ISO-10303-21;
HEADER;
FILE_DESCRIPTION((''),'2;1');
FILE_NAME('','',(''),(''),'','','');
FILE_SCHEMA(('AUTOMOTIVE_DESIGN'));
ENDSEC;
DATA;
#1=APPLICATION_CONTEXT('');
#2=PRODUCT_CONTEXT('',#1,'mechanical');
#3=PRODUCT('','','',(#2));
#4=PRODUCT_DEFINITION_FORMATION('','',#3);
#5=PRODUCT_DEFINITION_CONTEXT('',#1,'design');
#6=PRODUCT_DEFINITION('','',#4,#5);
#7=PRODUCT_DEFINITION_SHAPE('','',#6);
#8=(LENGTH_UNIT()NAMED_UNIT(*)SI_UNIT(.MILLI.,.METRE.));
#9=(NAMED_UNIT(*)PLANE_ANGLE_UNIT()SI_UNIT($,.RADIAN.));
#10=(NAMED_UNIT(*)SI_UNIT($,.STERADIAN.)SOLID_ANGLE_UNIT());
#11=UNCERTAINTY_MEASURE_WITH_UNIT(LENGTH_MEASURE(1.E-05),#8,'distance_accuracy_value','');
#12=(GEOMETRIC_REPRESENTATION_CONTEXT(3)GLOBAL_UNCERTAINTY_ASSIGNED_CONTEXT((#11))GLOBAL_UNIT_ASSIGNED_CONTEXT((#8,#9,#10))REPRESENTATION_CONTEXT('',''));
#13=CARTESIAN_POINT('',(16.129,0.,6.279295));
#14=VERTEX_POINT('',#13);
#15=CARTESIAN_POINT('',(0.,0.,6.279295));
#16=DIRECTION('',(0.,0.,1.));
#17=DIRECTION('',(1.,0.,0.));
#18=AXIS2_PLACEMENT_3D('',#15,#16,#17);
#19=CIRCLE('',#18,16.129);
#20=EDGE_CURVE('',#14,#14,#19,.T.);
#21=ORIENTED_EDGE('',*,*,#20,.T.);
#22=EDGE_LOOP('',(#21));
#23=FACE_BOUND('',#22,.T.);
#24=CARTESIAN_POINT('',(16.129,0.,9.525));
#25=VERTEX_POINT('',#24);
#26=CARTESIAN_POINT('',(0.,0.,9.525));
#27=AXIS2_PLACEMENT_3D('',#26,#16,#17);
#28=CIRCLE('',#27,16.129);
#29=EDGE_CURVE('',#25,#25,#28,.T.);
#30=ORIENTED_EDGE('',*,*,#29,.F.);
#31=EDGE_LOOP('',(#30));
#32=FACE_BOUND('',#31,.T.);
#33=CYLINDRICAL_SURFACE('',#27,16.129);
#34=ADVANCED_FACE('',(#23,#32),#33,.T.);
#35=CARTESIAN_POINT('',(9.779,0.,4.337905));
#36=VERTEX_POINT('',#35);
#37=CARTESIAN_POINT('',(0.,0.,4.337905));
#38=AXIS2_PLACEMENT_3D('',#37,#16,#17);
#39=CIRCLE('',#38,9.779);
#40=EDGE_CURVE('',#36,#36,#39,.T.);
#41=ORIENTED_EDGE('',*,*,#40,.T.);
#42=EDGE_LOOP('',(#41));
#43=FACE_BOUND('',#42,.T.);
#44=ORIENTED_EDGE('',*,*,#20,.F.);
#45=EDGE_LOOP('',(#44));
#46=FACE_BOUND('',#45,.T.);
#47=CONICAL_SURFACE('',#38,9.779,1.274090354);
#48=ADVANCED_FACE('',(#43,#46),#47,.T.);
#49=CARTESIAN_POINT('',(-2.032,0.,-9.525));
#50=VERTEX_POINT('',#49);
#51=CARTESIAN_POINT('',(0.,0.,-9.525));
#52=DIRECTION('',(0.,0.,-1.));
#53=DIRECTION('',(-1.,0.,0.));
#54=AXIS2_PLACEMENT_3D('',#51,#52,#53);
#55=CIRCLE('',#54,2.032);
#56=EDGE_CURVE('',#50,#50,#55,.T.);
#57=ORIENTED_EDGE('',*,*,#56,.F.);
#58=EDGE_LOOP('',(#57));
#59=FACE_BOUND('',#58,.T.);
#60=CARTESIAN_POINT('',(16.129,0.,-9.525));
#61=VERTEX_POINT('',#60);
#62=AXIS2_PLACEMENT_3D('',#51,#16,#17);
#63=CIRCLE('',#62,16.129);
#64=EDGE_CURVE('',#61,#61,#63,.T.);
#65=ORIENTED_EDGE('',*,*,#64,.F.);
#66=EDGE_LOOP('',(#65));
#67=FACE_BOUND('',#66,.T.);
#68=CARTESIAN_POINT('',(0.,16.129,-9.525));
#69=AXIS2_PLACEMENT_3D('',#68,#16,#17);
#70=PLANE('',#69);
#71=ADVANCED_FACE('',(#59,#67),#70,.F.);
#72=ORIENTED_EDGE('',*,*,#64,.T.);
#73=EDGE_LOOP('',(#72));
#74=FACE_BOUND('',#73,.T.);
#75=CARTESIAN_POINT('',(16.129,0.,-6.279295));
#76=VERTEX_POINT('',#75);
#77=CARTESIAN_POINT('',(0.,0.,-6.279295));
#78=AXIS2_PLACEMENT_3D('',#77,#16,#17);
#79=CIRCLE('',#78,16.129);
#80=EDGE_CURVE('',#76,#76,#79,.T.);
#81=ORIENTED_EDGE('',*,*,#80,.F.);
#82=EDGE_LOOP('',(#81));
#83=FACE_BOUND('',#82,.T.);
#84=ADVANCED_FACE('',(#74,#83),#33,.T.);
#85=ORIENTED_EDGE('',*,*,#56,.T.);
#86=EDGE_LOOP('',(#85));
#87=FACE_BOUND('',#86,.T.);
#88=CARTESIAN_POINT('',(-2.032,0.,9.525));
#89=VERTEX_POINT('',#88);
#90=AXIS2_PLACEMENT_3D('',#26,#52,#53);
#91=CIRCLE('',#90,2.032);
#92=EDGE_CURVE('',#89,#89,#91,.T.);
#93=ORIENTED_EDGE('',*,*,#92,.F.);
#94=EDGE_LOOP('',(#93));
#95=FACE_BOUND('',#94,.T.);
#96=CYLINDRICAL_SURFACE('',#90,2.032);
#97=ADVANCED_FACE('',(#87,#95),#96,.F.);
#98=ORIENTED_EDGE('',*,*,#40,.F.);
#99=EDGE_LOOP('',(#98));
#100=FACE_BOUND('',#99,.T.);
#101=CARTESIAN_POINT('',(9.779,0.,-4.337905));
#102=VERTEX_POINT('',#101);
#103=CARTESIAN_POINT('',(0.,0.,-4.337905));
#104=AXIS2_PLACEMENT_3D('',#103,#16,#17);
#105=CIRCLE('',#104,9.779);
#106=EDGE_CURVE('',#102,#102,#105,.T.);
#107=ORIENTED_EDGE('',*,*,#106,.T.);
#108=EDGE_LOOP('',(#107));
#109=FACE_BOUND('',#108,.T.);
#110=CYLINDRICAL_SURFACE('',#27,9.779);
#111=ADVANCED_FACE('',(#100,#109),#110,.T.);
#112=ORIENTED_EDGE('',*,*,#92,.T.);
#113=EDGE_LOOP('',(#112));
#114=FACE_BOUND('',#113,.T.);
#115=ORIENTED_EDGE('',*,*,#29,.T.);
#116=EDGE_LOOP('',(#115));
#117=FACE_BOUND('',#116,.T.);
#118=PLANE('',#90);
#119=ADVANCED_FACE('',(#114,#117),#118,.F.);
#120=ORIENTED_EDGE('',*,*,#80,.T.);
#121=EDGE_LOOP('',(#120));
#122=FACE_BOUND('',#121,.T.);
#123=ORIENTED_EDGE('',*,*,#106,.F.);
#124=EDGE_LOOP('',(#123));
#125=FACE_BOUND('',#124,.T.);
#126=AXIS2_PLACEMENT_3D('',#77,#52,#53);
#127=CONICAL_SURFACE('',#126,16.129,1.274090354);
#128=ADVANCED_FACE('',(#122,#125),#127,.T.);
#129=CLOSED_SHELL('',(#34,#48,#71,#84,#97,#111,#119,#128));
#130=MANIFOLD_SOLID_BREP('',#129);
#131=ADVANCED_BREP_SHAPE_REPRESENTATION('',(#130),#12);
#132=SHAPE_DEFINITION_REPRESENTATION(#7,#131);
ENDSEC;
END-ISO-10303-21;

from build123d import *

# Parameters (mm, degrees)
SKETCH3_R          = 2.032
CUT_EXTRUDE1_DEPTH = 30.71854273


with BuildPart() as part:
    # Sketch1 → Revolve1 (revolve)
    with BuildSketch(Plane(origin=(0, 0, 0), x_dir=(0, 0, -1), z_dir=(1, 0, 0)), mode=Mode.PRIVATE) as revolve1_sk:
        Polygon((6.279294914, 16.129), (9.525, 16.129), (9.525, 0), (-9.525, 0), (-9.525, 16.129), (-6.279294914, 16.129), (-4.337905086, 9.779), (4.337905086, 9.779), align=None)
    revolve(revolve1_sk.sketch.rotate(Axis((0, 0, 9.525), (0, 0, -1)), 90), axis=Axis((0, 0, 9.525), (0, 0, -1)))

    # Sketch3 → Cut-Extrude1 (cut, through all)
    with BuildSketch(Plane(origin=(0, 0, -9.525), x_dir=(-1, 0, 0), z_dir=(0, 0, -1))):
        Circle(SKETCH3_R)
    extrude(amount=-CUT_EXTRUDE1_DEPTH, mode=Mode.SUBTRACT)


solid = part.part
